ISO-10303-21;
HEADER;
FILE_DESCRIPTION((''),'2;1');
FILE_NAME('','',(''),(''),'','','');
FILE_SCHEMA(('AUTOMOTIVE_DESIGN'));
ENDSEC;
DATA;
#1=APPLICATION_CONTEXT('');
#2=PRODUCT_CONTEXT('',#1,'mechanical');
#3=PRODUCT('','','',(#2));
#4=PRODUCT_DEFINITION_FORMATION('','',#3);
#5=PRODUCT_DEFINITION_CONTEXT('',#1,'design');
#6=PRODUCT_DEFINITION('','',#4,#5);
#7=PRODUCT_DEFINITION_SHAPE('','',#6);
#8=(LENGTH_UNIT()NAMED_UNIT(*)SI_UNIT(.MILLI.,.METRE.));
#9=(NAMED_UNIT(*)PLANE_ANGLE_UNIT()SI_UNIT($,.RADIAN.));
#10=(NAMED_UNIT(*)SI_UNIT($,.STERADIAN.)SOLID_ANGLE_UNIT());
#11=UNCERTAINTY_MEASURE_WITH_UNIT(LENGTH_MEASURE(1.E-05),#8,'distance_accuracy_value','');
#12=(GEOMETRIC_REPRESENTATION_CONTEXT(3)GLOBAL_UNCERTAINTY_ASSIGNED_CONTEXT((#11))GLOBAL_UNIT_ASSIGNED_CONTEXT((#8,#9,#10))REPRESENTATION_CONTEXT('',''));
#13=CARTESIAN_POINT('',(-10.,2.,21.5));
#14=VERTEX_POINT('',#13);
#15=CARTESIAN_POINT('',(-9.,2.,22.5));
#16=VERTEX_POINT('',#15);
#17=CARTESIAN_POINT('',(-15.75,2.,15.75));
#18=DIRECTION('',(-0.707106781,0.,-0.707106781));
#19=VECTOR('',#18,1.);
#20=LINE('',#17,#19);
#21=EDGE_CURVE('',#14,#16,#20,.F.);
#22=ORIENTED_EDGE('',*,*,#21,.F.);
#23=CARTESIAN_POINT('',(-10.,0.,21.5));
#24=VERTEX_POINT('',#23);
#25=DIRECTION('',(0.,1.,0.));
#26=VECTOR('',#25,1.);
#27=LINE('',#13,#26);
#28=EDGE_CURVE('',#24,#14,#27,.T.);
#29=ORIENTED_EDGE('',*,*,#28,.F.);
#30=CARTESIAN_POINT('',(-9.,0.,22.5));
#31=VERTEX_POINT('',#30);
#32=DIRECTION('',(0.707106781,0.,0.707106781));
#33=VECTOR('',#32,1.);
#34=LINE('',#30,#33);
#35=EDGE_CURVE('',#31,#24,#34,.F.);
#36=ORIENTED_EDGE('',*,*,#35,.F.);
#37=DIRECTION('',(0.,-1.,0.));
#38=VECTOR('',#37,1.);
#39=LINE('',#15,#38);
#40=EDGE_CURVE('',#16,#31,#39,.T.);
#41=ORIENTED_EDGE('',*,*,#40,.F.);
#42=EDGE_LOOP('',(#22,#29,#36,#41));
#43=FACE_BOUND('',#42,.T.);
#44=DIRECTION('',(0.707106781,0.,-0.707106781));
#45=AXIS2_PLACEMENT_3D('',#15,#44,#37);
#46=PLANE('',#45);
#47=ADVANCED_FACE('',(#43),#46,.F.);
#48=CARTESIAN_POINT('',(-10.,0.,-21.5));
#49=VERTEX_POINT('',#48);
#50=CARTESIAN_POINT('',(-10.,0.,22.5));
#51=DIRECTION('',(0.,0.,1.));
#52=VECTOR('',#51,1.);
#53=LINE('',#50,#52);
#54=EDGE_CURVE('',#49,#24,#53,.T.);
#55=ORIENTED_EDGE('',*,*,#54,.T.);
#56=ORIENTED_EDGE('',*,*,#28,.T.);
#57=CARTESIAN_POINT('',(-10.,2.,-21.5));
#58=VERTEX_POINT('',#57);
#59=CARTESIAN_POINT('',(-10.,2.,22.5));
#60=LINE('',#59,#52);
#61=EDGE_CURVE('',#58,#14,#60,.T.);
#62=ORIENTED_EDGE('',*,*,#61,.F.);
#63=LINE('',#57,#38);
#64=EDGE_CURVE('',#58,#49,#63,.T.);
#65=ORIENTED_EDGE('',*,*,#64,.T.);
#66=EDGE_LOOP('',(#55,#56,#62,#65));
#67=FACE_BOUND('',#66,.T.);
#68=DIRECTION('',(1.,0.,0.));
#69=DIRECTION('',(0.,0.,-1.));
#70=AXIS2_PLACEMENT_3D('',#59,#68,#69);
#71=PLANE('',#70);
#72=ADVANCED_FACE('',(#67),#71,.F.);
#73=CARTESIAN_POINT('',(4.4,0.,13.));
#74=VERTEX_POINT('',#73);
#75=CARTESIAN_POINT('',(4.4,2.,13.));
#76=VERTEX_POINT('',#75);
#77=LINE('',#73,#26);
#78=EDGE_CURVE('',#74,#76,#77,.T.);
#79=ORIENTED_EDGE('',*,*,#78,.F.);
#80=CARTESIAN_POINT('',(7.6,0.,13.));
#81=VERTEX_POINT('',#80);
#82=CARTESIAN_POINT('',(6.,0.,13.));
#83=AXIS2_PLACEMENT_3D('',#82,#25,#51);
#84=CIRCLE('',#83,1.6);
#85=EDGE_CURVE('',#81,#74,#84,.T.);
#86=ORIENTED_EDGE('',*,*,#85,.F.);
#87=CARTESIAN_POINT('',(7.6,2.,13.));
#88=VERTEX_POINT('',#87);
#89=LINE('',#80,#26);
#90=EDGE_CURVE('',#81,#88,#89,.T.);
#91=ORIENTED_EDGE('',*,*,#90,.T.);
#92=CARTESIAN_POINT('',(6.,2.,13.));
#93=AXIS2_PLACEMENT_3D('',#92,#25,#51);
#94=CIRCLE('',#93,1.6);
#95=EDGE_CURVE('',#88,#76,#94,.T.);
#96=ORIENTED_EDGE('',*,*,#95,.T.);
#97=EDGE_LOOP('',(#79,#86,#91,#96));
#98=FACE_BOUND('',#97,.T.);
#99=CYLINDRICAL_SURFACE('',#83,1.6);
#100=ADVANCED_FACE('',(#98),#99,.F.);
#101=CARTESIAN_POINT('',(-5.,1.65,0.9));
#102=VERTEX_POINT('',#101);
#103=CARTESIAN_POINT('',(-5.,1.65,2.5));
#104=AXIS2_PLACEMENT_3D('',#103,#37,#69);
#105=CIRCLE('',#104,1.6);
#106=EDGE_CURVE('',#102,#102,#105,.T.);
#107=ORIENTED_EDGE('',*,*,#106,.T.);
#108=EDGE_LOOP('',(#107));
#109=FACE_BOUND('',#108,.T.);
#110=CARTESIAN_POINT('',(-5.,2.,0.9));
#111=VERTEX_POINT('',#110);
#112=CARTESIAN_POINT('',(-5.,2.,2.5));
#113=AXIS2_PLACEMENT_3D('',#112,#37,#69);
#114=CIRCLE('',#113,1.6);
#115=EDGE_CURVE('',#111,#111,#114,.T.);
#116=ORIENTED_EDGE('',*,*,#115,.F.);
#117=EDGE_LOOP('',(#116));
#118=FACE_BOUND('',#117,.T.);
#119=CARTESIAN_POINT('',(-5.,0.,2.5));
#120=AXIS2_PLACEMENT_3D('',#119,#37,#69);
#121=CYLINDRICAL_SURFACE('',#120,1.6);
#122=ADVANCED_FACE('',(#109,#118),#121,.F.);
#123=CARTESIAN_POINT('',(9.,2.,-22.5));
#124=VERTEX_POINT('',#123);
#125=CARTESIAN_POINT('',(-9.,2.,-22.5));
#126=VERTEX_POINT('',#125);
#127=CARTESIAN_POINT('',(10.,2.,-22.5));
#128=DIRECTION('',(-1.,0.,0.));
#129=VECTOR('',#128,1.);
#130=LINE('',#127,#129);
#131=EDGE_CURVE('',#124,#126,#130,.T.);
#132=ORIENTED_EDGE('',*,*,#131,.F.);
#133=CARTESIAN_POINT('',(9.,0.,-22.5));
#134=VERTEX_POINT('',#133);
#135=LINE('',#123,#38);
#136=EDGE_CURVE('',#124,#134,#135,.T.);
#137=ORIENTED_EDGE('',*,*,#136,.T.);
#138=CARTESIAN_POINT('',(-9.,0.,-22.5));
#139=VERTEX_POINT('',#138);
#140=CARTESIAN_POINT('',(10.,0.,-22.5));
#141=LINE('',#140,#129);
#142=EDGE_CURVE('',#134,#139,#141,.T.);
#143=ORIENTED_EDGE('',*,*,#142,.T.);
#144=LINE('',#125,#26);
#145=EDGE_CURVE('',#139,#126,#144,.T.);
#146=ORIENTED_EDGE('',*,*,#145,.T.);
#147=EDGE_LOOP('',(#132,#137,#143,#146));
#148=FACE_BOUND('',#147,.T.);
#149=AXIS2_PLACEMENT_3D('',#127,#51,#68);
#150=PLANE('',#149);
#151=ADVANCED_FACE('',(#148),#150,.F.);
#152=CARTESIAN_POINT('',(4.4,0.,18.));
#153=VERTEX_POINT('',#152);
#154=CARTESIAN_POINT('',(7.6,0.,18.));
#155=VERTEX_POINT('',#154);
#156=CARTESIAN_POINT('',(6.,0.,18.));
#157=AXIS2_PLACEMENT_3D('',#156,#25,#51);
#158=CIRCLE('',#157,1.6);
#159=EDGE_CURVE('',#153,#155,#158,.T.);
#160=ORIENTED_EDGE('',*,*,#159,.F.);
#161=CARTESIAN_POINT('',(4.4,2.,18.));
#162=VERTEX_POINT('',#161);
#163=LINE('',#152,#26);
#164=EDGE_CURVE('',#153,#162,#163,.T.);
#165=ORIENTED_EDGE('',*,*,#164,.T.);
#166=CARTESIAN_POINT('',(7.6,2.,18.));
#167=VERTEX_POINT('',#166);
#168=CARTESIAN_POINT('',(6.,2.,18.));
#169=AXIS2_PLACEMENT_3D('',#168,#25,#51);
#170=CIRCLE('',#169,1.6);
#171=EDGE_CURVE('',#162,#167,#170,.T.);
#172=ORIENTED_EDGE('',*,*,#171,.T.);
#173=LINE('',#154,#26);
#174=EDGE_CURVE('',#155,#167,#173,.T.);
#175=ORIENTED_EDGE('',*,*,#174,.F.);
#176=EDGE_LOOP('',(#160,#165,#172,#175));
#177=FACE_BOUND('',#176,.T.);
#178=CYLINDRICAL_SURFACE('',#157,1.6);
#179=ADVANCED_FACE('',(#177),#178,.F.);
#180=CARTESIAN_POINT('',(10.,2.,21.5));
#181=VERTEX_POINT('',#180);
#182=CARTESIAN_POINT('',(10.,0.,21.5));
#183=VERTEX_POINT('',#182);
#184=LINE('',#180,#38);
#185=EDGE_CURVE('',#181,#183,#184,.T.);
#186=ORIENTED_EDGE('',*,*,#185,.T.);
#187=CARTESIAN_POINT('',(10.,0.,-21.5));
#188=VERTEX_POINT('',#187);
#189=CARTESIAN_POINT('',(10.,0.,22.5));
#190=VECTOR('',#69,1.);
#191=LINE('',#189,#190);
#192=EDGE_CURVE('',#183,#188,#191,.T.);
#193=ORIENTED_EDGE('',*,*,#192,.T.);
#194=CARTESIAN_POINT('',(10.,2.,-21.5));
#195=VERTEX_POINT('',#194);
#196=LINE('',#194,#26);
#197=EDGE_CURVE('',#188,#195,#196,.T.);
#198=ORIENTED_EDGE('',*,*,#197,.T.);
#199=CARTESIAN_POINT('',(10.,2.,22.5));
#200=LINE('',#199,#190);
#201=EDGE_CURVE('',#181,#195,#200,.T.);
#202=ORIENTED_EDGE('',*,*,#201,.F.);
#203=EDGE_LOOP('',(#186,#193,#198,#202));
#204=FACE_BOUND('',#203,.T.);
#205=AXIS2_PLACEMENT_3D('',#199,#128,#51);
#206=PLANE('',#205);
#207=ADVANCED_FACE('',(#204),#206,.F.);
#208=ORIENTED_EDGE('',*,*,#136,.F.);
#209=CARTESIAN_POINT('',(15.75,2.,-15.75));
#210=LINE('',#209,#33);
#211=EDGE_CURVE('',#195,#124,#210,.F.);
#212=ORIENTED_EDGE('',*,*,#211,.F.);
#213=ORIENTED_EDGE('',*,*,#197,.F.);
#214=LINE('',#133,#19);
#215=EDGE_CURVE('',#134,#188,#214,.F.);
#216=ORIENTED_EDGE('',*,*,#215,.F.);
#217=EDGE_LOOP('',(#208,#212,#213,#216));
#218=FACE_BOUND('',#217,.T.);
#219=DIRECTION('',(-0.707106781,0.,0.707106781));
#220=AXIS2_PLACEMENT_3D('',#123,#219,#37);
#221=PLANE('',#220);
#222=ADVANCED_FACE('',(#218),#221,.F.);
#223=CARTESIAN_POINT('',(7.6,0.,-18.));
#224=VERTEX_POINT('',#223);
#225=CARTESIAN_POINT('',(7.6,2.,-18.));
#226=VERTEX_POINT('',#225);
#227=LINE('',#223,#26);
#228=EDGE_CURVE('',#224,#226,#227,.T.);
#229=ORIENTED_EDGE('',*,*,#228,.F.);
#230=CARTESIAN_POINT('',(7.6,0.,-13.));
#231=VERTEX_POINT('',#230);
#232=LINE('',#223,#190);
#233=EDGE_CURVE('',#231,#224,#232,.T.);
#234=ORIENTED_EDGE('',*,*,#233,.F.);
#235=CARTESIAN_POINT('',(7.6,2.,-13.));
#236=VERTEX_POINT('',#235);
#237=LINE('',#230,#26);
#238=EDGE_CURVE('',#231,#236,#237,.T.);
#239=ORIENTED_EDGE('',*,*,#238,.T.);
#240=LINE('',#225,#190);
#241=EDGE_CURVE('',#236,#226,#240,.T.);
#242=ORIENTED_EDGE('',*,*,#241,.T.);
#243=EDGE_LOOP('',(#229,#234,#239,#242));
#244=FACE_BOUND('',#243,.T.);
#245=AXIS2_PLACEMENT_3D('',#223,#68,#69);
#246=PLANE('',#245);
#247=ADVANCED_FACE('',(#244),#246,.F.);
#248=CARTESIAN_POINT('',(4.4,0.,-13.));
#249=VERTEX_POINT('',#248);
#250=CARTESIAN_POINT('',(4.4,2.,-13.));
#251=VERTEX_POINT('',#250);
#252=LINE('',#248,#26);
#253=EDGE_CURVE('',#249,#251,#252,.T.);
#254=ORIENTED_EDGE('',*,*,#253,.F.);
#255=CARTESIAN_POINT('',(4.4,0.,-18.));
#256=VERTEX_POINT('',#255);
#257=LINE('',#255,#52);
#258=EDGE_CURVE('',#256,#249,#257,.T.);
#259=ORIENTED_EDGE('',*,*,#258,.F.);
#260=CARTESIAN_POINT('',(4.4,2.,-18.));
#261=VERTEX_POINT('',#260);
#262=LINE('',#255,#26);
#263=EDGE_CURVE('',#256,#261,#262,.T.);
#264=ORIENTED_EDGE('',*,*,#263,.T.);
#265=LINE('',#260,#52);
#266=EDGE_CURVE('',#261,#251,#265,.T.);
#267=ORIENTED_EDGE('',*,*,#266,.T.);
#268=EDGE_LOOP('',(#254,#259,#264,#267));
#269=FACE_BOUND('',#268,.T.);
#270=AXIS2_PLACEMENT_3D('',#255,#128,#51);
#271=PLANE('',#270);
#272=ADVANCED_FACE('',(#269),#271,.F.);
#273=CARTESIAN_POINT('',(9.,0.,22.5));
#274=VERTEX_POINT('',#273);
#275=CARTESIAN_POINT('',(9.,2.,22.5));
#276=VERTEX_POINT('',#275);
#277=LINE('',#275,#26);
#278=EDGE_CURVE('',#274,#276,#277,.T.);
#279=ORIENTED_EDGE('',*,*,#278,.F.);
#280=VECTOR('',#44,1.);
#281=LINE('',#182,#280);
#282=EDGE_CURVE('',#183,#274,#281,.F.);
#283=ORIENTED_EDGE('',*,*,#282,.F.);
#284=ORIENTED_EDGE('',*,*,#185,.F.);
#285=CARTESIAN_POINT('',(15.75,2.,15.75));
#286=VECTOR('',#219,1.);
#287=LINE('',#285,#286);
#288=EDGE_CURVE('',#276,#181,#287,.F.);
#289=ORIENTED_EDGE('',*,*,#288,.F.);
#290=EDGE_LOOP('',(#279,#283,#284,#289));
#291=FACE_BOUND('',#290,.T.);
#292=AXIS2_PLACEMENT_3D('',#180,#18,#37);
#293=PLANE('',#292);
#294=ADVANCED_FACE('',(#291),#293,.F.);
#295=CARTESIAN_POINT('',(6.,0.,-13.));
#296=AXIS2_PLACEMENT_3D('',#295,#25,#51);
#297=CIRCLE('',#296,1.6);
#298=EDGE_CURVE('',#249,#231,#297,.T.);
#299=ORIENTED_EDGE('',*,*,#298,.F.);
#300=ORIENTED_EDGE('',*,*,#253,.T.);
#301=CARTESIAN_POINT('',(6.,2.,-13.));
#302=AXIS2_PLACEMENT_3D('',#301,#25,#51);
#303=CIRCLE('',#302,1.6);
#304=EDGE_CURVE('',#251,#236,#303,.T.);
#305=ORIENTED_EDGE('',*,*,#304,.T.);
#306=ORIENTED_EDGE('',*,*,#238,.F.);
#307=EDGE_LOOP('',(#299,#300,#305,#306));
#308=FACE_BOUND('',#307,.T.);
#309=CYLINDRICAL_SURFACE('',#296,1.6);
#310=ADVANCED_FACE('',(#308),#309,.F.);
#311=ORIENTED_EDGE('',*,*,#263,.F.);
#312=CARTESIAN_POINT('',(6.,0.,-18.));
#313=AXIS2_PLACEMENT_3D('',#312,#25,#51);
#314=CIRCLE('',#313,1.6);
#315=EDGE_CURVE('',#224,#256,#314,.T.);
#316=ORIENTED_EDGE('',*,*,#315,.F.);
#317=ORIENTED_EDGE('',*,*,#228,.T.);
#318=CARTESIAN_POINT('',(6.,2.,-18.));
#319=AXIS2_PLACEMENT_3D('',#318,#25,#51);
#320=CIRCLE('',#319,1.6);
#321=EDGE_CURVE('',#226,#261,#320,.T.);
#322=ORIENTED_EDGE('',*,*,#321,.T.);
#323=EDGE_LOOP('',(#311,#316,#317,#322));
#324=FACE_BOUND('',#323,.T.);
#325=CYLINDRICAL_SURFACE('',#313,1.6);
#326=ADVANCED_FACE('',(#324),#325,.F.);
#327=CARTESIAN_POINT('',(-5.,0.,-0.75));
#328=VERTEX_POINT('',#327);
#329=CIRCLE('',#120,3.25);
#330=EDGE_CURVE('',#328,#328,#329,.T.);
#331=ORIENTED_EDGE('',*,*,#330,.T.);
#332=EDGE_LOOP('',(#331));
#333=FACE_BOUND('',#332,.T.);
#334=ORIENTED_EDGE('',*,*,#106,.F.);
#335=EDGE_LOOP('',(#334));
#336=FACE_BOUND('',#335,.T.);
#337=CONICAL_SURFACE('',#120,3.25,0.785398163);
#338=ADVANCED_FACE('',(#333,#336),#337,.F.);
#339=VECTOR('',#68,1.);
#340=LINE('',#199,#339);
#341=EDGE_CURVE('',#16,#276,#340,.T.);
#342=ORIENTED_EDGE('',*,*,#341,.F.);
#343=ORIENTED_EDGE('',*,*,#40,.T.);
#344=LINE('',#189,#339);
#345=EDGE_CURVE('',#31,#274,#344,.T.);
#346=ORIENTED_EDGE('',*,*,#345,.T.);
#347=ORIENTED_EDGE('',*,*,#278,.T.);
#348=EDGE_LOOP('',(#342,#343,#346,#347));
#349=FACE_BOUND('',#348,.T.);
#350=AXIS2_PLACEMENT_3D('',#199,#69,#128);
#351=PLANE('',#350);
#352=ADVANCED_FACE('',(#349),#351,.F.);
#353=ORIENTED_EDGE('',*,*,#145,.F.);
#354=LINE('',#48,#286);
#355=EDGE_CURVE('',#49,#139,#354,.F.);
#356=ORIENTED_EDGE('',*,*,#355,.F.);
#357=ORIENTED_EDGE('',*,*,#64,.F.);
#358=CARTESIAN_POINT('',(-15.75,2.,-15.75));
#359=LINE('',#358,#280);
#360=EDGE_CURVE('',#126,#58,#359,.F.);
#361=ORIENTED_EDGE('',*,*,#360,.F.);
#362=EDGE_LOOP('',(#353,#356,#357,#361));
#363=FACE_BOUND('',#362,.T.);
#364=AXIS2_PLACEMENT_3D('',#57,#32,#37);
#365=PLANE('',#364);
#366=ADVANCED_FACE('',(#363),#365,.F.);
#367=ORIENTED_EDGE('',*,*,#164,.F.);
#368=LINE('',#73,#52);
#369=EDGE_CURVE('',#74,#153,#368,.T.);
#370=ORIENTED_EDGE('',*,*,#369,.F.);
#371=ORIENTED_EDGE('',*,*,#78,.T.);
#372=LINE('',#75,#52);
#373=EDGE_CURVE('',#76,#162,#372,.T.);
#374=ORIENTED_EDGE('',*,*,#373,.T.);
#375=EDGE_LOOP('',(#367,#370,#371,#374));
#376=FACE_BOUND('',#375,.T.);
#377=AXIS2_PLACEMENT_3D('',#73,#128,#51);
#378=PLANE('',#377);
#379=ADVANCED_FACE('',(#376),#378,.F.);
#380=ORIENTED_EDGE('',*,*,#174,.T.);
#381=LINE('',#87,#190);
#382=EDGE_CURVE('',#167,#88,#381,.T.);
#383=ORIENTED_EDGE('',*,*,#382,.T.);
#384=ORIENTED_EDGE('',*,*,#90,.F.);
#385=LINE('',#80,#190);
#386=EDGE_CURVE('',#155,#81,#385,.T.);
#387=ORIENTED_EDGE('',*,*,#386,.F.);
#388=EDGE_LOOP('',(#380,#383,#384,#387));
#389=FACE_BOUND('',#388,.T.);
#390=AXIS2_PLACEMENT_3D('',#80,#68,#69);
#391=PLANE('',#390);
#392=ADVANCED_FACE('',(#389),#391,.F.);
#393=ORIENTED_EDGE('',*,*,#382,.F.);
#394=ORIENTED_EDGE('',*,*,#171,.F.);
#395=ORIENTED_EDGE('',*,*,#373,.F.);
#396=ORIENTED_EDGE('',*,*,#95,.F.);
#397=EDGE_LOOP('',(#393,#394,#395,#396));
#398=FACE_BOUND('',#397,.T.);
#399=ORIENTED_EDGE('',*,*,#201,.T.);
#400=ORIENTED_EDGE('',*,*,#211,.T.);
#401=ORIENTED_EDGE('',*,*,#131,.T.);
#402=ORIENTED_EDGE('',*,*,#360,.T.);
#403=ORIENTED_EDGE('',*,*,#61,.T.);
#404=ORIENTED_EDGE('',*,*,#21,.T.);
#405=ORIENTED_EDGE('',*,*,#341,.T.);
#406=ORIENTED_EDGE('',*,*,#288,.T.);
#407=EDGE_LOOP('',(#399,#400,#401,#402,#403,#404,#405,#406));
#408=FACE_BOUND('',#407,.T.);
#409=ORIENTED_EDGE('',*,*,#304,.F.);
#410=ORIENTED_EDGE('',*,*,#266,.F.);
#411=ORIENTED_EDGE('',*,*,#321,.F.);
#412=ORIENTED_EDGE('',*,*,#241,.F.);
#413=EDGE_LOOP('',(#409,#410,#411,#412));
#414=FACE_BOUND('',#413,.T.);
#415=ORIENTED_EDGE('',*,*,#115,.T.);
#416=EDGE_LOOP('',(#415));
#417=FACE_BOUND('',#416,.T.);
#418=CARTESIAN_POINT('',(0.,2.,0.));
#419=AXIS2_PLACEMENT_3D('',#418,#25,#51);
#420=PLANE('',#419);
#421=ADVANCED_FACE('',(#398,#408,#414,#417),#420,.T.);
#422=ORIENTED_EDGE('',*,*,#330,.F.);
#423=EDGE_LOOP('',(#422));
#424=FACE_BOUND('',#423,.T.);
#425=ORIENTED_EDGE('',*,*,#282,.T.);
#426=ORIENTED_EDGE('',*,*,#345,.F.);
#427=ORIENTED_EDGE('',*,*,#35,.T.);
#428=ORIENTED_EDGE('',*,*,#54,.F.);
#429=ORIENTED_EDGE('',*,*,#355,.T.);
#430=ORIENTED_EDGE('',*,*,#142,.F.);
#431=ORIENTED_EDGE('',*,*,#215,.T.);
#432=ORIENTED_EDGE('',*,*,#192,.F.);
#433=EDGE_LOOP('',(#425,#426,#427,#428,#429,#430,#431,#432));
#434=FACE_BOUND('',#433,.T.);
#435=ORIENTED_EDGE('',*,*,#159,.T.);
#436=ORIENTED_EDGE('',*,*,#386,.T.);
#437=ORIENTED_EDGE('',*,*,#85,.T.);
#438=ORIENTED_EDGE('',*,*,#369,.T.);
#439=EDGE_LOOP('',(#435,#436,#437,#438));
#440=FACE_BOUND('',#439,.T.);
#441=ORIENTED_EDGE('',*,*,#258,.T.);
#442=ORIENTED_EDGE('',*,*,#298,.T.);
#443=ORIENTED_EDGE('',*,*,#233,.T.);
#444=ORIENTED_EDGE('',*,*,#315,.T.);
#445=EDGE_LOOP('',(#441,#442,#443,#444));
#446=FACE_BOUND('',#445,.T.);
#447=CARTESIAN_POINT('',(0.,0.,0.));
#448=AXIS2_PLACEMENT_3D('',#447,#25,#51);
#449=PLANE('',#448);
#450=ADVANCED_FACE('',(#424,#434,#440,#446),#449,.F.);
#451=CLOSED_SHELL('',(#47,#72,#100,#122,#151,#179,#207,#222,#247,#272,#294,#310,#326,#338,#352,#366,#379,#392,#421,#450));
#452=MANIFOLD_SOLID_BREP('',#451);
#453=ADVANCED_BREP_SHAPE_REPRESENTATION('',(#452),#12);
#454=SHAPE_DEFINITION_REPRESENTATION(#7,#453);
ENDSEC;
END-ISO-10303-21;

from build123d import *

# Parameters (mm, degrees)
SKETCH1_W        = 20
SKETCH1_H        = 45
BASESHEET_DEPTH  = 2
SCREWSLOTS_DEPTH = 3
CHAMFER1X45_SIZE = 1


with BuildPart() as part:
    # Sketch1 → BaseSheet (new body)
    with BuildSketch(Plane(origin=(0, 0, 0), x_dir=(1, 0, 0), z_dir=(0, 1, 0))):
        Rectangle(SKETCH1_W, SKETCH1_H)
    extrude(amount=BASESHEET_DEPTH)

    # Sketch6 → ScrewSlots (cut, through all)
    with BuildSketch(Plane(origin=(0, 2, 0), x_dir=(1, 0, 0), z_dir=(0, 1, 0))):
        with BuildLine():
            Line((7.6, 18), (7.6, 13))
            ThreePointArc((7.6, 13), (6, 11.4), (4.4, 13))
            Line((4.4, 13), (4.4, 18))
            ThreePointArc((4.4, 18), (6, 19.6), (7.6, 18))
        make_face()
        with BuildLine():
            Line((7.6, -13), (7.6, -18))
            ThreePointArc((7.6, -18), (6, -19.6), (4.4, -18))
            Line((4.4, -18), (4.4, -13))
            ThreePointArc((4.4, -13), (6, -11.4), (7.6, -13))
        make_face()
    extrude(amount=-SCREWSLOTS_DEPTH, mode=Mode.SUBTRACT)

    # Sketch5 → PulleyHole (revolve, cut)
    with BuildSketch(Plane(origin=(-5, 0, 2.5), x_dir=(0, 0, -1), z_dir=(1, 0, 0))):
        Polygon((0, 0), (0, 2), (1.6, 2), (1.6, 1.65), (3.25, 0), align=None)
    revolve(axis=Axis((-5, -6.35, 2.5), (0, 1, 0)), mode=Mode.SUBTRACT)

    # Chamfer1x45
    chamfer1x45_edges = [part.edges().sort_by_distance(p)[0] for p in [
        (-10, 1, -22.5),
        (10, 1, -22.5),
        (10, 1, 22.5),
        (-10, 1, 22.5),
    ]]
    chamfer(chamfer1x45_edges, length=CHAMFER1X45_SIZE)


solid = part.part
